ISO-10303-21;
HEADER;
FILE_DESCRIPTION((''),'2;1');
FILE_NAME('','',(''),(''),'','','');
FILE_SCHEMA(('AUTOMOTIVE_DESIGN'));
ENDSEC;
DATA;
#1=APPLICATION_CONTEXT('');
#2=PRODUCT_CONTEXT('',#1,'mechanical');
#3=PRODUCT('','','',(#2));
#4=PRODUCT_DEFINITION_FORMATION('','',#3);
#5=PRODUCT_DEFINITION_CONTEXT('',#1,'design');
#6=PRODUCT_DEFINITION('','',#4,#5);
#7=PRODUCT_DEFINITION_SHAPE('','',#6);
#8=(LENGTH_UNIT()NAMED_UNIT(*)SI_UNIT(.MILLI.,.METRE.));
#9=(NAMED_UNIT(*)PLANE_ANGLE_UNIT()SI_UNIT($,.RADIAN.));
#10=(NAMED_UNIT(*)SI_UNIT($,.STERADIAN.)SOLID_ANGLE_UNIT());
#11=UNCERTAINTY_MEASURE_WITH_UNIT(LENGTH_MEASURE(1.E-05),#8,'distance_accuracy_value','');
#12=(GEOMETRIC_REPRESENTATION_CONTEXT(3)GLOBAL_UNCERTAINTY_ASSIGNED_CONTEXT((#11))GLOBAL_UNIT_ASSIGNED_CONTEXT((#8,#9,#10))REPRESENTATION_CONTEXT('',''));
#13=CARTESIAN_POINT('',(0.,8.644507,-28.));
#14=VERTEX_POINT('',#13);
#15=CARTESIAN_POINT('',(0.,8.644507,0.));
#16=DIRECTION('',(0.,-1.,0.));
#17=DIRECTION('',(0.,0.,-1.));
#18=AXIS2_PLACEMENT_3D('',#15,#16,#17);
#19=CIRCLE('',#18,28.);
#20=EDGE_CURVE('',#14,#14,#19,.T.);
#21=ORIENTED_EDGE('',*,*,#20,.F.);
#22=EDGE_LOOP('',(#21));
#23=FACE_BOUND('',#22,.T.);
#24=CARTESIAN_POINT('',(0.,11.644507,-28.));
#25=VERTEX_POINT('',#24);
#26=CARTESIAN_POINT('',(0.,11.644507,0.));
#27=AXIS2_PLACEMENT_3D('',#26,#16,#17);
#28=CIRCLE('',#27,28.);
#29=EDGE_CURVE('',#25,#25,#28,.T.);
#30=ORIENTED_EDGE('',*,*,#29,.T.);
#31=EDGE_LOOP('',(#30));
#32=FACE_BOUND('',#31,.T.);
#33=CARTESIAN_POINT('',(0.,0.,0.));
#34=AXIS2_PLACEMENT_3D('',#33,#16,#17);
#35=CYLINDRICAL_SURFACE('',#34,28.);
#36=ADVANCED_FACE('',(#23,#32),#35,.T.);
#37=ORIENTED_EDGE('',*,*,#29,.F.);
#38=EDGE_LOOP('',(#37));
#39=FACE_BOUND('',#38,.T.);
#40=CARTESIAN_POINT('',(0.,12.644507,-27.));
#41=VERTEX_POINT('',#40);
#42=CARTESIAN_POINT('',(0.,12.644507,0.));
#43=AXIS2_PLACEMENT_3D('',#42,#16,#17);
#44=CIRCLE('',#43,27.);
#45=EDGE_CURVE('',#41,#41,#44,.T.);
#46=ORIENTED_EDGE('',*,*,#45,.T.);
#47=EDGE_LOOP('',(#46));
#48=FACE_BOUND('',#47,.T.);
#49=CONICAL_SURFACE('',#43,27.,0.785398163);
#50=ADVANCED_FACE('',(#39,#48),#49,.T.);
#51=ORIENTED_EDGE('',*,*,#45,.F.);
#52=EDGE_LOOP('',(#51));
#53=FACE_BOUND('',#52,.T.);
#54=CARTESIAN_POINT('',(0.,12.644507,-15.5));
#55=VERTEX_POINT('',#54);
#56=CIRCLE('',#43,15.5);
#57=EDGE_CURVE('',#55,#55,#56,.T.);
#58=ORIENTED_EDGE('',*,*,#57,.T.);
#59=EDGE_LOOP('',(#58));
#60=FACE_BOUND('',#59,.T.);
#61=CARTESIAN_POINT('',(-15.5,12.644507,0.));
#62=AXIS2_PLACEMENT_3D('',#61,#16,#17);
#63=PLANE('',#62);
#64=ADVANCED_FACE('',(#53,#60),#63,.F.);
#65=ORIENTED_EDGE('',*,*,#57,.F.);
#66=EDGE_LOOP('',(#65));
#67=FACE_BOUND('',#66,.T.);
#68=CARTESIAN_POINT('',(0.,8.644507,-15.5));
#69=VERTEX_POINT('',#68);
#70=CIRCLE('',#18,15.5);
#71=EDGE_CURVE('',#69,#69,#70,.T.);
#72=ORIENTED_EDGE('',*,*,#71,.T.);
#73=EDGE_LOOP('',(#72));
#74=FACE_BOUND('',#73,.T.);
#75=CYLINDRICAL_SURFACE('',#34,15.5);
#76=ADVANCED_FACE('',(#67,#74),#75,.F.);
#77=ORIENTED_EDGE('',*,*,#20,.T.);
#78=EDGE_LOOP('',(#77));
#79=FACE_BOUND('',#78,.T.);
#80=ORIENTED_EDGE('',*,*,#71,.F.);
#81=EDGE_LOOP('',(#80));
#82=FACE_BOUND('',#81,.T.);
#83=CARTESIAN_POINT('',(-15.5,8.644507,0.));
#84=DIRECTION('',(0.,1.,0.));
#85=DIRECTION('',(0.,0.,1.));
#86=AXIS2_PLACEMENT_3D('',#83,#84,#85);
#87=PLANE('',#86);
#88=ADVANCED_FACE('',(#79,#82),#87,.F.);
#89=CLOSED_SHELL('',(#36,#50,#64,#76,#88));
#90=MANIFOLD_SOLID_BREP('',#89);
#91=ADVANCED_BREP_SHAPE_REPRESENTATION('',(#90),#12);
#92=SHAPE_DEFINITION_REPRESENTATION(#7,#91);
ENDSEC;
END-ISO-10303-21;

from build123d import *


with BuildPart() as part:
    # 草图1 → Revolve 484 (revolve)
    with BuildSketch(Plane.XY, mode=Mode.PRIVATE) as revolve_484_sk:
        Polygon((-27, 12.644507042), (-28, 11.644507042), (-28, 8.644507042), (-15.5, 8.644507042), (-15.5, 12.644507042), align=None)
    revolve(revolve_484_sk.sketch.rotate(Axis((0, 0, 0), (0, 1, 0)), 270), axis=Axis((0, 0, 0), (0, 1, 0)))


solid = part.part
